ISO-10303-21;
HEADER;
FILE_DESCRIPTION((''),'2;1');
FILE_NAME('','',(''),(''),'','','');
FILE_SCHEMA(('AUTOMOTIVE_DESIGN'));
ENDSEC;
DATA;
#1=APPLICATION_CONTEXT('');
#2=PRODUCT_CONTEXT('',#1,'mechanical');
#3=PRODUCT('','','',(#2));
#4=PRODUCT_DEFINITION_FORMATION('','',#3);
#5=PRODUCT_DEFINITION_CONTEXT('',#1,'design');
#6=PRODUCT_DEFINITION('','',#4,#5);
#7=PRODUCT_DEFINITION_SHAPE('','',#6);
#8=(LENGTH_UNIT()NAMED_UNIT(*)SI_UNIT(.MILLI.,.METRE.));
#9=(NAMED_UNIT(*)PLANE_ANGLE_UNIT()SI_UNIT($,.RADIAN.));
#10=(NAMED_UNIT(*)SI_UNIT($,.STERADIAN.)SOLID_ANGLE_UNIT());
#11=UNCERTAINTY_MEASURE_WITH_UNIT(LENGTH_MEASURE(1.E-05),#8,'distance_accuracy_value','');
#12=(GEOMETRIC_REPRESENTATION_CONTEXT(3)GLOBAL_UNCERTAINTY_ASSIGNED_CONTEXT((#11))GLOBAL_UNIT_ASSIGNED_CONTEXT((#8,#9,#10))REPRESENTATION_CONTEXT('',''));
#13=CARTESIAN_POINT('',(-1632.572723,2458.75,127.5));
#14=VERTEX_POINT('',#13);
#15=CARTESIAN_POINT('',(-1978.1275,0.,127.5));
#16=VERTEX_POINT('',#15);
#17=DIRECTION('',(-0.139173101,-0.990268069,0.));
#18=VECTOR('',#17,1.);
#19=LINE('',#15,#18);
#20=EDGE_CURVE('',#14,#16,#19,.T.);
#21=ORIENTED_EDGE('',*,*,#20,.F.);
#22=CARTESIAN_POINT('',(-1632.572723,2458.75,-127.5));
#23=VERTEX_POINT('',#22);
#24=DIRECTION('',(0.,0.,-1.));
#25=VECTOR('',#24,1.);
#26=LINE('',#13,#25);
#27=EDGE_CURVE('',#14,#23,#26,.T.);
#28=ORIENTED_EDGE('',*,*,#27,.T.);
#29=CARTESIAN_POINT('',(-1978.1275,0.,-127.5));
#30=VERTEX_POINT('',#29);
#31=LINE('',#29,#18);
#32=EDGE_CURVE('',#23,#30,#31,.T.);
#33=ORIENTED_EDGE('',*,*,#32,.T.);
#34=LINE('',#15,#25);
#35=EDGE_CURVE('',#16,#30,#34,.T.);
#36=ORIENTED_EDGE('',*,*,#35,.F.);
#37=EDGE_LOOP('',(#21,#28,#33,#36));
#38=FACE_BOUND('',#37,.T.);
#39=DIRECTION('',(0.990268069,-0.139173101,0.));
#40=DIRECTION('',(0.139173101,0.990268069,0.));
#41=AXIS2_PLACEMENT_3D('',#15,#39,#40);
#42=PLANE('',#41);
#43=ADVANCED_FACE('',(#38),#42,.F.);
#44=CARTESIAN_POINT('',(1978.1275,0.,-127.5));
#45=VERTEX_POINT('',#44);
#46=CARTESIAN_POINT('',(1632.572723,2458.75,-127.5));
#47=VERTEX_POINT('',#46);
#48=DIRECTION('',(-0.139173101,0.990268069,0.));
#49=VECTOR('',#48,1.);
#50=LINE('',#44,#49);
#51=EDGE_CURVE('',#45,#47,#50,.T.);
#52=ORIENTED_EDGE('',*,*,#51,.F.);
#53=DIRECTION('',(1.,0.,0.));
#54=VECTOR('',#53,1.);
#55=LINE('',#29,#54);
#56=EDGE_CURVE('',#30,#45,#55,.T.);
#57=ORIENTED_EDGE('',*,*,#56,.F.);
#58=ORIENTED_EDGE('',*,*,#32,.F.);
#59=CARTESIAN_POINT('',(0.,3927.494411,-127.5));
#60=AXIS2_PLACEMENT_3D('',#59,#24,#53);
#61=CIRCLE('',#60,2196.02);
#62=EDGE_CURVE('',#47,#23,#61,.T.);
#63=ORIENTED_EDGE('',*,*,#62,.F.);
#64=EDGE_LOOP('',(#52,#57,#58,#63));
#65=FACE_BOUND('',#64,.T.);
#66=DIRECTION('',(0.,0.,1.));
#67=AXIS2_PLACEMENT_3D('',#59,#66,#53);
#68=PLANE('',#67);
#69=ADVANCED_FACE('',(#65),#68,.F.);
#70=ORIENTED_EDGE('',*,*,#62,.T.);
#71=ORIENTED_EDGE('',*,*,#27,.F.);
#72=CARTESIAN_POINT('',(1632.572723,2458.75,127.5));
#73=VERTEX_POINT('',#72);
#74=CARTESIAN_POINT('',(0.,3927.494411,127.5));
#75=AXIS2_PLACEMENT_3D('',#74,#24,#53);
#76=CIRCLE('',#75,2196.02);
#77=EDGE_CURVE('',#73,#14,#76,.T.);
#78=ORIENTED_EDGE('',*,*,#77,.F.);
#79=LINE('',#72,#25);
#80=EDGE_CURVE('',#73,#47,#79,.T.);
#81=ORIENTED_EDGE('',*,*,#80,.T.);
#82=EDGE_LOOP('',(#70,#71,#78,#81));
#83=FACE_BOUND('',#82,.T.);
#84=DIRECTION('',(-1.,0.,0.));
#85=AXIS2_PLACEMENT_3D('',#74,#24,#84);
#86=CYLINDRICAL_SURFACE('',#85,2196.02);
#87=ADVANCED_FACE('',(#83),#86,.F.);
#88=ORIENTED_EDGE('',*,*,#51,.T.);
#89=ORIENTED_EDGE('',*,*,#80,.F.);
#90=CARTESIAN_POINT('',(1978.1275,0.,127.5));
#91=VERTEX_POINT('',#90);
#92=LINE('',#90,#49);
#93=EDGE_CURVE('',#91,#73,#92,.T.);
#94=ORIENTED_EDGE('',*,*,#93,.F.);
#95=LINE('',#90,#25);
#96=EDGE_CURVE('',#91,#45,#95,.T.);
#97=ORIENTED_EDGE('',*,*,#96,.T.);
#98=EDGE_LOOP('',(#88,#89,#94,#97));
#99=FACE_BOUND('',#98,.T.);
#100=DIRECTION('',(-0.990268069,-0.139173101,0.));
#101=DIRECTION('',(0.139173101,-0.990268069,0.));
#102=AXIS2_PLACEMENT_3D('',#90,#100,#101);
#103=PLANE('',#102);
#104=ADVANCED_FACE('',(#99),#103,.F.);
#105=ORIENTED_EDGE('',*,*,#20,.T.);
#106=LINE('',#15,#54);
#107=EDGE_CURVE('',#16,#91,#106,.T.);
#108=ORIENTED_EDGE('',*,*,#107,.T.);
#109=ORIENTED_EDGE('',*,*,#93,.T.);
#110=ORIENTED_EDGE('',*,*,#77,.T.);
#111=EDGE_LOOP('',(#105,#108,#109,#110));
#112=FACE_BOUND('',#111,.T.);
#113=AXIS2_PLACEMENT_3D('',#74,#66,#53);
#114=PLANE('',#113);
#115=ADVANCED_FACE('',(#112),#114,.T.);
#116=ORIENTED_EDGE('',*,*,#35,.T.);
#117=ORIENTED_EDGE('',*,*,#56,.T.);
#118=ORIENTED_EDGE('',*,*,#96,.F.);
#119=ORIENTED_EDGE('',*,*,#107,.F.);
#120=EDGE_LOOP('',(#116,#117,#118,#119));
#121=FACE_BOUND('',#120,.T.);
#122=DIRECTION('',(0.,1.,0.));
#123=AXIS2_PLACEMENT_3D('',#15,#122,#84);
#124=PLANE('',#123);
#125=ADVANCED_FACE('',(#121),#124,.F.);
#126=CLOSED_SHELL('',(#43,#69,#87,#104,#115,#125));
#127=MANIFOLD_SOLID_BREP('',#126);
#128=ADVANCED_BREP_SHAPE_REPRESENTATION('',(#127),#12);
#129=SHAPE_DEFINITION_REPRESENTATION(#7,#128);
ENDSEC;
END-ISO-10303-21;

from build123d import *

# Parameters (mm, degrees)
BOSS_EXTRUDE1_DEPTH = 127.5


with BuildPart() as part:
    # Sketch1 → Boss-Extrude1 (new, symmetric)
    with BuildSketch(Plane.XY):
        with BuildLine():
            Line((-1978.1275, 0), (1978.1275, 0))
            Line((1978.1275, 0), (1632.572722675, 2458.75))
            ThreePointArc((1632.572722675, 2458.75), (0, 1731.474411249), (-1632.572722675, 2458.75))
            Line((-1632.572722675, 2458.75), (-1978.1275, 0))
        make_face()
    extrude(amount=BOSS_EXTRUDE1_DEPTH, both=True)


solid = part.part
